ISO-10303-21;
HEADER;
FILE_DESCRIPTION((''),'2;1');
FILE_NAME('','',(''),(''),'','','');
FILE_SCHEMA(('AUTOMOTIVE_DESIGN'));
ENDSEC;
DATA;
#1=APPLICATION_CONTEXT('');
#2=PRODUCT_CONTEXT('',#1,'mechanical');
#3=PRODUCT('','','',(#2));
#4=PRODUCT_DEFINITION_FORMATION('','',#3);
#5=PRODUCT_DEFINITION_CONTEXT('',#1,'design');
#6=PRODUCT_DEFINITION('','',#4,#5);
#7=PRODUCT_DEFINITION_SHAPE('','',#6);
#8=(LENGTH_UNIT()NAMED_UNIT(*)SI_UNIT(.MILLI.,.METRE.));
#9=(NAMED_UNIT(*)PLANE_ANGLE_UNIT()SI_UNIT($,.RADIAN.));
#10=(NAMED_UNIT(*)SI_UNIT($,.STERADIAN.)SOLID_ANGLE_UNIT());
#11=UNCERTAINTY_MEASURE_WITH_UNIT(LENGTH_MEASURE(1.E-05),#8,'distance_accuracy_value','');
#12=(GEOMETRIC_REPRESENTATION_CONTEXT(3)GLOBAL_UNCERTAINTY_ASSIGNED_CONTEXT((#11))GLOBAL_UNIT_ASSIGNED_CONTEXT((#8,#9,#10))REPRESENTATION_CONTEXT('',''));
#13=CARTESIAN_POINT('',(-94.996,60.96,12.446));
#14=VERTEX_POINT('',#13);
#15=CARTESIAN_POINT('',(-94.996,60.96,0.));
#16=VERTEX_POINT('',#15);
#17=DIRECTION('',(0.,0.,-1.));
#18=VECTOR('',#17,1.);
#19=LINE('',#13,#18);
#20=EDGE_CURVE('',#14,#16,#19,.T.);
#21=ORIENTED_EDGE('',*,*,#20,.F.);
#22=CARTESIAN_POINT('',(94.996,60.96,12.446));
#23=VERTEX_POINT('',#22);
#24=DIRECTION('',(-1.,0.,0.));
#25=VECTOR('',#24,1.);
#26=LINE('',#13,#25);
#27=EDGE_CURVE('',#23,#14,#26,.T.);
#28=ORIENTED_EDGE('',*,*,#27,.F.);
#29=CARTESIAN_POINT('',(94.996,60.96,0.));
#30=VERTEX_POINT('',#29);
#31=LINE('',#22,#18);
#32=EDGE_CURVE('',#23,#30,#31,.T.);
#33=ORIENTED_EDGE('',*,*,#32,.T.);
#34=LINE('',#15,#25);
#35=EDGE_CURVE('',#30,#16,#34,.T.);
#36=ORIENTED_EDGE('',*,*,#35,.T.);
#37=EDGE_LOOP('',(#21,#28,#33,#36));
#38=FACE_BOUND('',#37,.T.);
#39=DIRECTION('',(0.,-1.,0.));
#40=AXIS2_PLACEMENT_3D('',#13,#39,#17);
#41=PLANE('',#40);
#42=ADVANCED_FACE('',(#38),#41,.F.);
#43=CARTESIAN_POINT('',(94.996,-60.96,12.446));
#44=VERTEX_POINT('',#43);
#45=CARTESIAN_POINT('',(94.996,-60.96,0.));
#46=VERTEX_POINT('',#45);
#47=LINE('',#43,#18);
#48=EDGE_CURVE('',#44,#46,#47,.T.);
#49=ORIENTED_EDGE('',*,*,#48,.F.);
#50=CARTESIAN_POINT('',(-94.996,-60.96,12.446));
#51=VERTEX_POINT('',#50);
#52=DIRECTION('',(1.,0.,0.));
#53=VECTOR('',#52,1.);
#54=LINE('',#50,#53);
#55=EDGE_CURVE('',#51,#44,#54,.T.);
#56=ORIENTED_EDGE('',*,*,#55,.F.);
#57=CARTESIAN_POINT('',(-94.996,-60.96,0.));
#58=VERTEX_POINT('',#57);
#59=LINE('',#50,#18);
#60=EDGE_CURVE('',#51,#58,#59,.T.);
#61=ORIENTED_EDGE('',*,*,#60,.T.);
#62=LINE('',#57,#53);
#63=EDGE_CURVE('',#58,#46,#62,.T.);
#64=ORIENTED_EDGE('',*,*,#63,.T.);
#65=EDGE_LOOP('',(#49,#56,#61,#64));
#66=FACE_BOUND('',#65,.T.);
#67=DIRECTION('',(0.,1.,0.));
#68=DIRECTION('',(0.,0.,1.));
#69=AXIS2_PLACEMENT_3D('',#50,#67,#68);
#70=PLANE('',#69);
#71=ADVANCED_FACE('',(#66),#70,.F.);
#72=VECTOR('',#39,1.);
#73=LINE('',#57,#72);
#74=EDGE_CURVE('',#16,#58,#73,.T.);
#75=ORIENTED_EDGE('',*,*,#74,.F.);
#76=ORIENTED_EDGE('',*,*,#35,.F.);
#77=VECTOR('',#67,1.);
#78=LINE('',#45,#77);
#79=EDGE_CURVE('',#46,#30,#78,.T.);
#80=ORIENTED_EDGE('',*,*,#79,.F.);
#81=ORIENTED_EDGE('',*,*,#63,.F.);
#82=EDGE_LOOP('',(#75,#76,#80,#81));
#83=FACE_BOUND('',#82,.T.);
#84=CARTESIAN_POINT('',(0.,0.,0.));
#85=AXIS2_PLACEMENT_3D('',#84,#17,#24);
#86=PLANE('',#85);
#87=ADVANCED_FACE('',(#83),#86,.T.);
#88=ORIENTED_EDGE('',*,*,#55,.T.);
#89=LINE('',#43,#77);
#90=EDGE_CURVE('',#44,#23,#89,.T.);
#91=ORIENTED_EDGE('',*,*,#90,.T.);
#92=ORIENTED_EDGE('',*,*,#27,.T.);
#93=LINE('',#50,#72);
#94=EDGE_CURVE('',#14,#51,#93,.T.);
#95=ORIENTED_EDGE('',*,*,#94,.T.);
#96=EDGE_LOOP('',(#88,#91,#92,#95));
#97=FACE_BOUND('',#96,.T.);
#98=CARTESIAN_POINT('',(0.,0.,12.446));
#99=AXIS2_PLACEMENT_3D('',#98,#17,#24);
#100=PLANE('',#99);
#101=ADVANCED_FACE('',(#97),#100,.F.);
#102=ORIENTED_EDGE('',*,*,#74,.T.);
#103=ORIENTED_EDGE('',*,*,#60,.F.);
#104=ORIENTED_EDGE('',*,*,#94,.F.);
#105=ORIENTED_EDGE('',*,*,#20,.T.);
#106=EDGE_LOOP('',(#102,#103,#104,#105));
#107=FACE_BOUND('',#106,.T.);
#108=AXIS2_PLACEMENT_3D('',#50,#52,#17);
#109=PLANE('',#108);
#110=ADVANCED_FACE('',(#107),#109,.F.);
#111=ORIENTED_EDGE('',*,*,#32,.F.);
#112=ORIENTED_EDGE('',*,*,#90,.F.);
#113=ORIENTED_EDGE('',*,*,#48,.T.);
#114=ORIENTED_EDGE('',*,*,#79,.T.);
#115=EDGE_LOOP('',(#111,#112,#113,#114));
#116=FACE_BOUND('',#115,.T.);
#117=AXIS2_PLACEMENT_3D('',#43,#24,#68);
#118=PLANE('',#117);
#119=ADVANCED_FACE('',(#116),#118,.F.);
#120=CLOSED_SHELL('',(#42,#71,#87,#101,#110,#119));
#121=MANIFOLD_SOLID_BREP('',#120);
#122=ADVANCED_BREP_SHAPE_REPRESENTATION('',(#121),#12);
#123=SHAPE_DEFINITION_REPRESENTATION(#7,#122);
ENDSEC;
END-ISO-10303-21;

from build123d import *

# Parameters (mm, degrees)
SKETCH1_W           = 189.992
SKETCH1_H           = 121.92
BOSS_EXTRUDE1_DEPTH = 12.446


with BuildPart() as part:
    # Sketch1 → Boss-Extrude1 (new body)
    with BuildSketch(Plane.XY):
        Rectangle(SKETCH1_W, SKETCH1_H)
    extrude(amount=BOSS_EXTRUDE1_DEPTH)


solid = part.part
